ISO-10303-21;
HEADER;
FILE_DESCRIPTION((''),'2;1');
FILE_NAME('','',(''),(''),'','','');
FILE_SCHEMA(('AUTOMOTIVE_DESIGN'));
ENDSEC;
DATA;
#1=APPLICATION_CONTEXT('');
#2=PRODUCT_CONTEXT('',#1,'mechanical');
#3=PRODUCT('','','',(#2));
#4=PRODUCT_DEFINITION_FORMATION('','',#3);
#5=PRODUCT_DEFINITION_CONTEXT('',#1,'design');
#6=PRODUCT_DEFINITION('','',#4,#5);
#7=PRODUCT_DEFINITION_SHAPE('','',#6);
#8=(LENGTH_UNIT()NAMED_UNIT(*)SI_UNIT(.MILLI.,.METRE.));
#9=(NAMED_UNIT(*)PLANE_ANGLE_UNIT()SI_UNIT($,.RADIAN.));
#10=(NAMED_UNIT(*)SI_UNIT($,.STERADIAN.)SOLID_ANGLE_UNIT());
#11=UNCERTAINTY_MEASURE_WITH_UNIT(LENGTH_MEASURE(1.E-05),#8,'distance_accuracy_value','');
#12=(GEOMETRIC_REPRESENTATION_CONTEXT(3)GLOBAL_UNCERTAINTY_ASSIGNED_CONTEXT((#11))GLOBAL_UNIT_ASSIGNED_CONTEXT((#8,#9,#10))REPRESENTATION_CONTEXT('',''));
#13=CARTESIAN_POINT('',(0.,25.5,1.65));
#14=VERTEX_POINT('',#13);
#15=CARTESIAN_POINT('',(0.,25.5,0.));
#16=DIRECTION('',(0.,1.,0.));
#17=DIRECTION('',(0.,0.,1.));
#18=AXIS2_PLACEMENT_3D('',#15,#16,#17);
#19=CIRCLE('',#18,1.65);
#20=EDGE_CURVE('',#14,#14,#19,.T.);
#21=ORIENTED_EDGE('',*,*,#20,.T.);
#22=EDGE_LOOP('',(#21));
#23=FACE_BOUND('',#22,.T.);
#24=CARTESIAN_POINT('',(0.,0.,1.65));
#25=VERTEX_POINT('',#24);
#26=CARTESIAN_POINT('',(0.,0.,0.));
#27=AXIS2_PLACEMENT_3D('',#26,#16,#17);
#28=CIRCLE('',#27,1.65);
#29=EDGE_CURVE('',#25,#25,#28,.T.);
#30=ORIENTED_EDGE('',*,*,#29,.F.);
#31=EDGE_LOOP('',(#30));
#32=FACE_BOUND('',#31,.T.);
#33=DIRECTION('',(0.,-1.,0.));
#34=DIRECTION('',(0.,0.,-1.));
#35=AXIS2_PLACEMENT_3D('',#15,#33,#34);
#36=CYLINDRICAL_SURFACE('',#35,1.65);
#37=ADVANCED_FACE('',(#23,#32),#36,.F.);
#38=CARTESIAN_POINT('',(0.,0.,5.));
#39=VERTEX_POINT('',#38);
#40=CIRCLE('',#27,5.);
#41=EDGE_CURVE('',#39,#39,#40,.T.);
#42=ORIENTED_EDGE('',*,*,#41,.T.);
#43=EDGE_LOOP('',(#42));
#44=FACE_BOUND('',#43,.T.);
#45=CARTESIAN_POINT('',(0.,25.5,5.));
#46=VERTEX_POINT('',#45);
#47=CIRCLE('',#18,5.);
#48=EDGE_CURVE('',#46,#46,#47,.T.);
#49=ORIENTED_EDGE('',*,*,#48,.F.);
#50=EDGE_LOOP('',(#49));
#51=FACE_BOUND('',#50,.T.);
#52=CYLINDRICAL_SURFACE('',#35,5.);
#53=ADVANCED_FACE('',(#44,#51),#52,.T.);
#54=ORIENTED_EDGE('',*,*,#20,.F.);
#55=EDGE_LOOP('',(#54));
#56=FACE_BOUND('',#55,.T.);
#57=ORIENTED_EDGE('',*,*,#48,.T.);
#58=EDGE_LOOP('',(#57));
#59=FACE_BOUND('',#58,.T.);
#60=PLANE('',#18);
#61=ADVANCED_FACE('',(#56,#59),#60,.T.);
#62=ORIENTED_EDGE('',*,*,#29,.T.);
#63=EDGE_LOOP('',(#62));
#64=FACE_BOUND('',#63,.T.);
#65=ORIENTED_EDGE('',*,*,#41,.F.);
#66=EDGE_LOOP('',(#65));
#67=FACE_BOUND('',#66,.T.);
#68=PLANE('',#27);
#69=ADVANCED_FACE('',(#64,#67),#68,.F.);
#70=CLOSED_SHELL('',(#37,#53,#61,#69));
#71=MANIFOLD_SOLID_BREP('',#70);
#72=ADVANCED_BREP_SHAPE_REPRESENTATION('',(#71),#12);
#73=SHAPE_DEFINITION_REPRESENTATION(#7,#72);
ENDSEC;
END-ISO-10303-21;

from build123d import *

# Parameters (mm, degrees)
SKETCH_1_R      = 5
SKETCH_1_R_2    = 1.65
EXTRUDE_1_DEPTH = 25.5


with BuildPart() as part:
    # Эскиз1 → Бобышка-Вытянуть1 (new body)
    with BuildSketch(Plane(origin=(0, 0, 0), x_dir=(1, 0, 0), z_dir=(0, 1, 0))):
        with Locations(Location((0, 0, 0), (0, 0, 270))):
            Circle(SKETCH_1_R)
        with Locations(Location((0, 0, 0), (0, 0, 270))):
            Circle(SKETCH_1_R_2, mode=Mode.SUBTRACT)
    extrude(amount=EXTRUDE_1_DEPTH)


solid = part.part
